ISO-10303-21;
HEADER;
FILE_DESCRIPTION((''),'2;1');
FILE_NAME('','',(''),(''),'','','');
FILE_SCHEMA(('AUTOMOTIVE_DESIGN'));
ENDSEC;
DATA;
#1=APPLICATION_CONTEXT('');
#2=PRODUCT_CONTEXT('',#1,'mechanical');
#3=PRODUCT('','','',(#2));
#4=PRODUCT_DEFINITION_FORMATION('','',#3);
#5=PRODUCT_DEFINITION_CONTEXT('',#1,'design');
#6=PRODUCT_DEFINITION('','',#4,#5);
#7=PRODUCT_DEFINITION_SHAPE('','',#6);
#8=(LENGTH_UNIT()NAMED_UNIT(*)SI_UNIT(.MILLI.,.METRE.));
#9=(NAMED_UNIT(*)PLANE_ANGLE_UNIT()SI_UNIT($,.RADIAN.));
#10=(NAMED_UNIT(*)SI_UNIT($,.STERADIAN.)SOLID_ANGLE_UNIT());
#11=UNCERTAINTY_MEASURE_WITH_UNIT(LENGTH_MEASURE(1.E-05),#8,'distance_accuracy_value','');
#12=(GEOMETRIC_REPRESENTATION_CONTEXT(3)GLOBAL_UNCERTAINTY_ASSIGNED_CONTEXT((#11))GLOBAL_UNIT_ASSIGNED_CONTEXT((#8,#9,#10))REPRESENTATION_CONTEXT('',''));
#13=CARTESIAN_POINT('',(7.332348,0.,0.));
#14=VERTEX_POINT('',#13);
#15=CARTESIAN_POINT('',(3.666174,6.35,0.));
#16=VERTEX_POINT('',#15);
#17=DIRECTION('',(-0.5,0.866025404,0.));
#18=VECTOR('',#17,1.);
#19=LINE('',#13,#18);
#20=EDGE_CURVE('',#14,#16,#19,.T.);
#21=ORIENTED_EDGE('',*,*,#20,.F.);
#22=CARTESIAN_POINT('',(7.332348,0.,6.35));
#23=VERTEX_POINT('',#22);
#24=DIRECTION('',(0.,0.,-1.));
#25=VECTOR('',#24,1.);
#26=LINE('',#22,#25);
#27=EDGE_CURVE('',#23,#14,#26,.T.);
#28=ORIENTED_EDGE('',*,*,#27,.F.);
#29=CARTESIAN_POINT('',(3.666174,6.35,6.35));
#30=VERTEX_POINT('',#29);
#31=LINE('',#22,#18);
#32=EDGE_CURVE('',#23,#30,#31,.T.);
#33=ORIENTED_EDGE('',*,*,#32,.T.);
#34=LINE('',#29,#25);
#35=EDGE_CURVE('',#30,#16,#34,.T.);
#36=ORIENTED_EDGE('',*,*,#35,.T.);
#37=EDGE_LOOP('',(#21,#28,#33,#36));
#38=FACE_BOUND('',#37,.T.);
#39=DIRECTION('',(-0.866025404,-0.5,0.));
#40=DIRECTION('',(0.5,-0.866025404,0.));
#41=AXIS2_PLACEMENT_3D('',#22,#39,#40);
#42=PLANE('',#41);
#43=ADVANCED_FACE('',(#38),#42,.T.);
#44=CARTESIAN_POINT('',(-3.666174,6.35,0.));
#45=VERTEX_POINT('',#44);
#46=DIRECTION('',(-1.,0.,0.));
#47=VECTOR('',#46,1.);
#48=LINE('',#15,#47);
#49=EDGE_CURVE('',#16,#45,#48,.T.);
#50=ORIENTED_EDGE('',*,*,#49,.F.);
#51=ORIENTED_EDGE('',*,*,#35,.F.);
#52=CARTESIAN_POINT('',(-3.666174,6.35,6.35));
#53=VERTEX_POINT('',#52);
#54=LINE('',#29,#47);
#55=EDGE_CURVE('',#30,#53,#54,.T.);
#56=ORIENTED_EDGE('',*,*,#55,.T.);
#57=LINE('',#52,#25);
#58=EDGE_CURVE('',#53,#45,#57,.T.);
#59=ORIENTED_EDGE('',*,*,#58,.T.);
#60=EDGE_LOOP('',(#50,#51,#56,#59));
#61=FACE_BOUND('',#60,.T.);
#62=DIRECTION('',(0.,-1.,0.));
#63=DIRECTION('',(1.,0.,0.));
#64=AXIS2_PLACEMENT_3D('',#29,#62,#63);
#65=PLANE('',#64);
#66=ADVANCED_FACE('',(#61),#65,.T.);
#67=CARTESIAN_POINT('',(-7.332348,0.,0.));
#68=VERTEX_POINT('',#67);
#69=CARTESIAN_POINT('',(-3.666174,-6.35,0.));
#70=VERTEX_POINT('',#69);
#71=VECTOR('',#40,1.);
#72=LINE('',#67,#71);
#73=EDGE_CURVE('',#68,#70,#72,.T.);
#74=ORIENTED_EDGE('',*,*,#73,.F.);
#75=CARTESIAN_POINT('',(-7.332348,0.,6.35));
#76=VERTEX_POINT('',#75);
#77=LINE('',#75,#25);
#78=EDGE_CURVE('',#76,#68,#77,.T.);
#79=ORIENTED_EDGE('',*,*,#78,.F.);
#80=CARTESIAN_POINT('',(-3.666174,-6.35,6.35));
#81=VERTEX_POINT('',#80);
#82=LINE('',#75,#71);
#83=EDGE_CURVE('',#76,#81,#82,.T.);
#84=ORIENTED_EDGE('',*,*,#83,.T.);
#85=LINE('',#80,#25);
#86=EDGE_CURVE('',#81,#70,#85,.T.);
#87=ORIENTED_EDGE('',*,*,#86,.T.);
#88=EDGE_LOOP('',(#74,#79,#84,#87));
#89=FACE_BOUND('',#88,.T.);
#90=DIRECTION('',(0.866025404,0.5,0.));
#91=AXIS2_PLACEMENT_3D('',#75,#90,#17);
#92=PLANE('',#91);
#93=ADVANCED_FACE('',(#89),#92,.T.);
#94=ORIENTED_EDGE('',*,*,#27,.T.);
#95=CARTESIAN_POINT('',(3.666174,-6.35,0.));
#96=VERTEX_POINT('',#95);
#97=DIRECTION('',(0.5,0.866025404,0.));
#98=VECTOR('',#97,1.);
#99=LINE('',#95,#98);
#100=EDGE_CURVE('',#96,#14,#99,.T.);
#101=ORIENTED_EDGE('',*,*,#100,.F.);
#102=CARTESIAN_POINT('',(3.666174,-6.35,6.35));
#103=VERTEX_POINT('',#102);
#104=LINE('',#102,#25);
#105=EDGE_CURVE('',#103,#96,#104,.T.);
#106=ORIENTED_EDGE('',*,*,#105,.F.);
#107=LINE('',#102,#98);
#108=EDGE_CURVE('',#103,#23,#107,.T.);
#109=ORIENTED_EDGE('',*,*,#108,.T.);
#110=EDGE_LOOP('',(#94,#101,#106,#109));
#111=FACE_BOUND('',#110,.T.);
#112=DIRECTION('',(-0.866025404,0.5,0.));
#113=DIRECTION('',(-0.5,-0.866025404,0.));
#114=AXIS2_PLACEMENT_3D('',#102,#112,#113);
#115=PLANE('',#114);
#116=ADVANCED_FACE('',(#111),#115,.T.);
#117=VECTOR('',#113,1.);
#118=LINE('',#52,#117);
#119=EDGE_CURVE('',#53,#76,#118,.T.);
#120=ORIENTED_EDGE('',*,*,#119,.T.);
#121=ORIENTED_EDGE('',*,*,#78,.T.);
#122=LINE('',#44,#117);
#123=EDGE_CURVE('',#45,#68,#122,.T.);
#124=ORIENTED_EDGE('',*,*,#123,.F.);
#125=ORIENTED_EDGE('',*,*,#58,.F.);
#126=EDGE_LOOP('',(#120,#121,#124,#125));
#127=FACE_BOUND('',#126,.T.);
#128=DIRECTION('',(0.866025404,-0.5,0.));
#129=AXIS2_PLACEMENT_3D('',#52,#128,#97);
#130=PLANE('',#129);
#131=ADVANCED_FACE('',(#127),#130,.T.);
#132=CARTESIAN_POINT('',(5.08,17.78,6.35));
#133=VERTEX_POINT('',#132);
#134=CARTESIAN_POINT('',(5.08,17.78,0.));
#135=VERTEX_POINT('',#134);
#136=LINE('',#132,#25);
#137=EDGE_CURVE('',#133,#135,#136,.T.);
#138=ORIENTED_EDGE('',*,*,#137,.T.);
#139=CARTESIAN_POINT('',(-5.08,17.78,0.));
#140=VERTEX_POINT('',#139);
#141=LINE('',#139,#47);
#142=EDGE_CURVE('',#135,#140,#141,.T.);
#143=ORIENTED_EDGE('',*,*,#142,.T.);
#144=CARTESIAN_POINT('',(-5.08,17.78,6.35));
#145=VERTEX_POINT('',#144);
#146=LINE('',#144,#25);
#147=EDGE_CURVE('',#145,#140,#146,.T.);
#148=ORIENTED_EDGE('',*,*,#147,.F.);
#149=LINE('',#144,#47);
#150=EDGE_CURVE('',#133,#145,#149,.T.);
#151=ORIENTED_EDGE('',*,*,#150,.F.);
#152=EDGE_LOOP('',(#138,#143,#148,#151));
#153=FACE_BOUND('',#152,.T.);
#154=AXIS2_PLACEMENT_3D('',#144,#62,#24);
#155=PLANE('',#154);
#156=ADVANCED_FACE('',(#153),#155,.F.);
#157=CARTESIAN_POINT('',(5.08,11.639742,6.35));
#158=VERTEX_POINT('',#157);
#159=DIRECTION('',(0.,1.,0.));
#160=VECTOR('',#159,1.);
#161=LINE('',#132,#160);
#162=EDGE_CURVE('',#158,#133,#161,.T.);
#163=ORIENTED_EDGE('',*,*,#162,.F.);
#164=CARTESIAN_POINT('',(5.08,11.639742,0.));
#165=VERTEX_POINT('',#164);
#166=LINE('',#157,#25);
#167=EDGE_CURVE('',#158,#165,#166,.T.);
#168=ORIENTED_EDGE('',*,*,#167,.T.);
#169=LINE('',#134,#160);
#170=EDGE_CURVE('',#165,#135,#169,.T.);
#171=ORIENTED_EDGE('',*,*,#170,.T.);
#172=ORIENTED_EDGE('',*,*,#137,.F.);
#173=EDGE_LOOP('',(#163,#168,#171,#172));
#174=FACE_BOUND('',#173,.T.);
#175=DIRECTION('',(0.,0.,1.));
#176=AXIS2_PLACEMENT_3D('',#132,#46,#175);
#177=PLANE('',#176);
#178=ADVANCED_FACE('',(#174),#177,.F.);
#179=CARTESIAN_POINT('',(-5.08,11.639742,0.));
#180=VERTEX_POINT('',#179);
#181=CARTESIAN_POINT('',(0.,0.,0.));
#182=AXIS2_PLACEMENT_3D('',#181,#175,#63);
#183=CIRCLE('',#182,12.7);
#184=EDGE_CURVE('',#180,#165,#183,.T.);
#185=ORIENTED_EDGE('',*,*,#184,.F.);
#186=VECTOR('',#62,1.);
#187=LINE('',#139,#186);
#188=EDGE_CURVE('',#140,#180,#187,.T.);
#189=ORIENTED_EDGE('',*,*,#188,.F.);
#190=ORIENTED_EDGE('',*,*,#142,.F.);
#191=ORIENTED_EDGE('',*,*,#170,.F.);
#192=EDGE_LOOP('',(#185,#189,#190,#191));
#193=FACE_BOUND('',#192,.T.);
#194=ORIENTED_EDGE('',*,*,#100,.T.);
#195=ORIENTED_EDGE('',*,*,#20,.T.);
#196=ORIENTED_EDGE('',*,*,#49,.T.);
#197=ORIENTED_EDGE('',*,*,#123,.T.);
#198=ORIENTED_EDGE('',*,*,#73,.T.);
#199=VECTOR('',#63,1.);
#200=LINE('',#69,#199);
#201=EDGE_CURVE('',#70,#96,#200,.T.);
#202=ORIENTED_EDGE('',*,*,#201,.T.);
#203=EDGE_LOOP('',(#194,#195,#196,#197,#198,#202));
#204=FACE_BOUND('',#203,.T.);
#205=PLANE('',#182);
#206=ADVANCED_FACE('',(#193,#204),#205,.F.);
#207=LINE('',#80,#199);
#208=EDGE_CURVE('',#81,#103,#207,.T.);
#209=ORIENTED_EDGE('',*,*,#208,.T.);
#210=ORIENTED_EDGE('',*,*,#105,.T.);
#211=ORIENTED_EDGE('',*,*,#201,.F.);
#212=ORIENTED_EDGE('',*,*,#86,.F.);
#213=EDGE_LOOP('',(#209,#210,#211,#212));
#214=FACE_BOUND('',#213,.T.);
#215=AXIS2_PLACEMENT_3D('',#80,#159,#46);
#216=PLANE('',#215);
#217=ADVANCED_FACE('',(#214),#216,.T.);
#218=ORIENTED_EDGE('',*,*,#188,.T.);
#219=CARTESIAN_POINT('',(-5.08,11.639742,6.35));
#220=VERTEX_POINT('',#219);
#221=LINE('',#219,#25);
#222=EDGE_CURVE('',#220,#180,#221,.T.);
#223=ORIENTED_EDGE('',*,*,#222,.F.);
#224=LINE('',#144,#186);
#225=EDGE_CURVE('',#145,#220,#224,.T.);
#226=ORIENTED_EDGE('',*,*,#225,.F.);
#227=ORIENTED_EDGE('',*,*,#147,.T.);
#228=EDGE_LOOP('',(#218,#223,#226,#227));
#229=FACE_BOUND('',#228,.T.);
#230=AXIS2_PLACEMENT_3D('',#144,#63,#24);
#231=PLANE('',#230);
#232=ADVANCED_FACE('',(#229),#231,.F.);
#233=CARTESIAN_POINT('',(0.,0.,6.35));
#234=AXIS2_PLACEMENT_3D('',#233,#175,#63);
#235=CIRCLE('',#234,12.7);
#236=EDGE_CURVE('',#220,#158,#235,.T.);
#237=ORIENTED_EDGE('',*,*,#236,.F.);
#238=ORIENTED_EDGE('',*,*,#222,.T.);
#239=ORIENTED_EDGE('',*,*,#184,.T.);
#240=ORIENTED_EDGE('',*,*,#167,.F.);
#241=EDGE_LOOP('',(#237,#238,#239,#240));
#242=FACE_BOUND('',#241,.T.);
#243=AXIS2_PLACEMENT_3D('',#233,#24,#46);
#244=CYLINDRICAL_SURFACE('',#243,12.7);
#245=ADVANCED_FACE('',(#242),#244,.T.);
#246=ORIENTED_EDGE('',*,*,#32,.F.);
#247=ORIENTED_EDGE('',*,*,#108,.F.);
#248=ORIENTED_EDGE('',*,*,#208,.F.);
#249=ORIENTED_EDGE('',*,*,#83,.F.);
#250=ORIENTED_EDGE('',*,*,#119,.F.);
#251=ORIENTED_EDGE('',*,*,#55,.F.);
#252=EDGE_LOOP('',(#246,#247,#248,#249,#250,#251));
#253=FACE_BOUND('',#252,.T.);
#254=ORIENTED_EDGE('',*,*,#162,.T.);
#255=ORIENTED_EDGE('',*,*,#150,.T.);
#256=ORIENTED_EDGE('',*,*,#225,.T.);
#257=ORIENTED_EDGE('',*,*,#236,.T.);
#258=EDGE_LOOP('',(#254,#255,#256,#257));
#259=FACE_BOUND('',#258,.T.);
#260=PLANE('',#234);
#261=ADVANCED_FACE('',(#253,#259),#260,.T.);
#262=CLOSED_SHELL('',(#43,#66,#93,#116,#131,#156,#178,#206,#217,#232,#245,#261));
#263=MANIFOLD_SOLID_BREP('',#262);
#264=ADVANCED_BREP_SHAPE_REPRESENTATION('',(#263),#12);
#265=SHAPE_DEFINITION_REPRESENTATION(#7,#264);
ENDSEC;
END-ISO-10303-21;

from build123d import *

# Parameters (mm, degrees)
BOSS_EXTRUDE1_DEPTH = 6.35


with BuildPart() as part:
    # Sketch1 → Boss-Extrude1 (new body)
    with BuildSketch(Plane.XY):
        with BuildLine():
            Line((-5.08, 17.78), (5.08, 17.78))
            Line((5.08, 17.78), (5.08, 11.639742265))
            ThreePointArc((5.08, 11.639742265), (0, -12.7), (-5.08, 11.639742265))
            Line((-5.08, 11.639742265), (-5.08, 17.78))
        make_face()
        Polygon((7.332348419, 0), (3.666174209, 6.35), (-3.666174209, 6.35), (-7.332348419, 0), (-3.666174209, -6.35), (3.666174209, -6.35), align=None, mode=Mode.SUBTRACT)
    extrude(amount=BOSS_EXTRUDE1_DEPTH)


solid = part.part
